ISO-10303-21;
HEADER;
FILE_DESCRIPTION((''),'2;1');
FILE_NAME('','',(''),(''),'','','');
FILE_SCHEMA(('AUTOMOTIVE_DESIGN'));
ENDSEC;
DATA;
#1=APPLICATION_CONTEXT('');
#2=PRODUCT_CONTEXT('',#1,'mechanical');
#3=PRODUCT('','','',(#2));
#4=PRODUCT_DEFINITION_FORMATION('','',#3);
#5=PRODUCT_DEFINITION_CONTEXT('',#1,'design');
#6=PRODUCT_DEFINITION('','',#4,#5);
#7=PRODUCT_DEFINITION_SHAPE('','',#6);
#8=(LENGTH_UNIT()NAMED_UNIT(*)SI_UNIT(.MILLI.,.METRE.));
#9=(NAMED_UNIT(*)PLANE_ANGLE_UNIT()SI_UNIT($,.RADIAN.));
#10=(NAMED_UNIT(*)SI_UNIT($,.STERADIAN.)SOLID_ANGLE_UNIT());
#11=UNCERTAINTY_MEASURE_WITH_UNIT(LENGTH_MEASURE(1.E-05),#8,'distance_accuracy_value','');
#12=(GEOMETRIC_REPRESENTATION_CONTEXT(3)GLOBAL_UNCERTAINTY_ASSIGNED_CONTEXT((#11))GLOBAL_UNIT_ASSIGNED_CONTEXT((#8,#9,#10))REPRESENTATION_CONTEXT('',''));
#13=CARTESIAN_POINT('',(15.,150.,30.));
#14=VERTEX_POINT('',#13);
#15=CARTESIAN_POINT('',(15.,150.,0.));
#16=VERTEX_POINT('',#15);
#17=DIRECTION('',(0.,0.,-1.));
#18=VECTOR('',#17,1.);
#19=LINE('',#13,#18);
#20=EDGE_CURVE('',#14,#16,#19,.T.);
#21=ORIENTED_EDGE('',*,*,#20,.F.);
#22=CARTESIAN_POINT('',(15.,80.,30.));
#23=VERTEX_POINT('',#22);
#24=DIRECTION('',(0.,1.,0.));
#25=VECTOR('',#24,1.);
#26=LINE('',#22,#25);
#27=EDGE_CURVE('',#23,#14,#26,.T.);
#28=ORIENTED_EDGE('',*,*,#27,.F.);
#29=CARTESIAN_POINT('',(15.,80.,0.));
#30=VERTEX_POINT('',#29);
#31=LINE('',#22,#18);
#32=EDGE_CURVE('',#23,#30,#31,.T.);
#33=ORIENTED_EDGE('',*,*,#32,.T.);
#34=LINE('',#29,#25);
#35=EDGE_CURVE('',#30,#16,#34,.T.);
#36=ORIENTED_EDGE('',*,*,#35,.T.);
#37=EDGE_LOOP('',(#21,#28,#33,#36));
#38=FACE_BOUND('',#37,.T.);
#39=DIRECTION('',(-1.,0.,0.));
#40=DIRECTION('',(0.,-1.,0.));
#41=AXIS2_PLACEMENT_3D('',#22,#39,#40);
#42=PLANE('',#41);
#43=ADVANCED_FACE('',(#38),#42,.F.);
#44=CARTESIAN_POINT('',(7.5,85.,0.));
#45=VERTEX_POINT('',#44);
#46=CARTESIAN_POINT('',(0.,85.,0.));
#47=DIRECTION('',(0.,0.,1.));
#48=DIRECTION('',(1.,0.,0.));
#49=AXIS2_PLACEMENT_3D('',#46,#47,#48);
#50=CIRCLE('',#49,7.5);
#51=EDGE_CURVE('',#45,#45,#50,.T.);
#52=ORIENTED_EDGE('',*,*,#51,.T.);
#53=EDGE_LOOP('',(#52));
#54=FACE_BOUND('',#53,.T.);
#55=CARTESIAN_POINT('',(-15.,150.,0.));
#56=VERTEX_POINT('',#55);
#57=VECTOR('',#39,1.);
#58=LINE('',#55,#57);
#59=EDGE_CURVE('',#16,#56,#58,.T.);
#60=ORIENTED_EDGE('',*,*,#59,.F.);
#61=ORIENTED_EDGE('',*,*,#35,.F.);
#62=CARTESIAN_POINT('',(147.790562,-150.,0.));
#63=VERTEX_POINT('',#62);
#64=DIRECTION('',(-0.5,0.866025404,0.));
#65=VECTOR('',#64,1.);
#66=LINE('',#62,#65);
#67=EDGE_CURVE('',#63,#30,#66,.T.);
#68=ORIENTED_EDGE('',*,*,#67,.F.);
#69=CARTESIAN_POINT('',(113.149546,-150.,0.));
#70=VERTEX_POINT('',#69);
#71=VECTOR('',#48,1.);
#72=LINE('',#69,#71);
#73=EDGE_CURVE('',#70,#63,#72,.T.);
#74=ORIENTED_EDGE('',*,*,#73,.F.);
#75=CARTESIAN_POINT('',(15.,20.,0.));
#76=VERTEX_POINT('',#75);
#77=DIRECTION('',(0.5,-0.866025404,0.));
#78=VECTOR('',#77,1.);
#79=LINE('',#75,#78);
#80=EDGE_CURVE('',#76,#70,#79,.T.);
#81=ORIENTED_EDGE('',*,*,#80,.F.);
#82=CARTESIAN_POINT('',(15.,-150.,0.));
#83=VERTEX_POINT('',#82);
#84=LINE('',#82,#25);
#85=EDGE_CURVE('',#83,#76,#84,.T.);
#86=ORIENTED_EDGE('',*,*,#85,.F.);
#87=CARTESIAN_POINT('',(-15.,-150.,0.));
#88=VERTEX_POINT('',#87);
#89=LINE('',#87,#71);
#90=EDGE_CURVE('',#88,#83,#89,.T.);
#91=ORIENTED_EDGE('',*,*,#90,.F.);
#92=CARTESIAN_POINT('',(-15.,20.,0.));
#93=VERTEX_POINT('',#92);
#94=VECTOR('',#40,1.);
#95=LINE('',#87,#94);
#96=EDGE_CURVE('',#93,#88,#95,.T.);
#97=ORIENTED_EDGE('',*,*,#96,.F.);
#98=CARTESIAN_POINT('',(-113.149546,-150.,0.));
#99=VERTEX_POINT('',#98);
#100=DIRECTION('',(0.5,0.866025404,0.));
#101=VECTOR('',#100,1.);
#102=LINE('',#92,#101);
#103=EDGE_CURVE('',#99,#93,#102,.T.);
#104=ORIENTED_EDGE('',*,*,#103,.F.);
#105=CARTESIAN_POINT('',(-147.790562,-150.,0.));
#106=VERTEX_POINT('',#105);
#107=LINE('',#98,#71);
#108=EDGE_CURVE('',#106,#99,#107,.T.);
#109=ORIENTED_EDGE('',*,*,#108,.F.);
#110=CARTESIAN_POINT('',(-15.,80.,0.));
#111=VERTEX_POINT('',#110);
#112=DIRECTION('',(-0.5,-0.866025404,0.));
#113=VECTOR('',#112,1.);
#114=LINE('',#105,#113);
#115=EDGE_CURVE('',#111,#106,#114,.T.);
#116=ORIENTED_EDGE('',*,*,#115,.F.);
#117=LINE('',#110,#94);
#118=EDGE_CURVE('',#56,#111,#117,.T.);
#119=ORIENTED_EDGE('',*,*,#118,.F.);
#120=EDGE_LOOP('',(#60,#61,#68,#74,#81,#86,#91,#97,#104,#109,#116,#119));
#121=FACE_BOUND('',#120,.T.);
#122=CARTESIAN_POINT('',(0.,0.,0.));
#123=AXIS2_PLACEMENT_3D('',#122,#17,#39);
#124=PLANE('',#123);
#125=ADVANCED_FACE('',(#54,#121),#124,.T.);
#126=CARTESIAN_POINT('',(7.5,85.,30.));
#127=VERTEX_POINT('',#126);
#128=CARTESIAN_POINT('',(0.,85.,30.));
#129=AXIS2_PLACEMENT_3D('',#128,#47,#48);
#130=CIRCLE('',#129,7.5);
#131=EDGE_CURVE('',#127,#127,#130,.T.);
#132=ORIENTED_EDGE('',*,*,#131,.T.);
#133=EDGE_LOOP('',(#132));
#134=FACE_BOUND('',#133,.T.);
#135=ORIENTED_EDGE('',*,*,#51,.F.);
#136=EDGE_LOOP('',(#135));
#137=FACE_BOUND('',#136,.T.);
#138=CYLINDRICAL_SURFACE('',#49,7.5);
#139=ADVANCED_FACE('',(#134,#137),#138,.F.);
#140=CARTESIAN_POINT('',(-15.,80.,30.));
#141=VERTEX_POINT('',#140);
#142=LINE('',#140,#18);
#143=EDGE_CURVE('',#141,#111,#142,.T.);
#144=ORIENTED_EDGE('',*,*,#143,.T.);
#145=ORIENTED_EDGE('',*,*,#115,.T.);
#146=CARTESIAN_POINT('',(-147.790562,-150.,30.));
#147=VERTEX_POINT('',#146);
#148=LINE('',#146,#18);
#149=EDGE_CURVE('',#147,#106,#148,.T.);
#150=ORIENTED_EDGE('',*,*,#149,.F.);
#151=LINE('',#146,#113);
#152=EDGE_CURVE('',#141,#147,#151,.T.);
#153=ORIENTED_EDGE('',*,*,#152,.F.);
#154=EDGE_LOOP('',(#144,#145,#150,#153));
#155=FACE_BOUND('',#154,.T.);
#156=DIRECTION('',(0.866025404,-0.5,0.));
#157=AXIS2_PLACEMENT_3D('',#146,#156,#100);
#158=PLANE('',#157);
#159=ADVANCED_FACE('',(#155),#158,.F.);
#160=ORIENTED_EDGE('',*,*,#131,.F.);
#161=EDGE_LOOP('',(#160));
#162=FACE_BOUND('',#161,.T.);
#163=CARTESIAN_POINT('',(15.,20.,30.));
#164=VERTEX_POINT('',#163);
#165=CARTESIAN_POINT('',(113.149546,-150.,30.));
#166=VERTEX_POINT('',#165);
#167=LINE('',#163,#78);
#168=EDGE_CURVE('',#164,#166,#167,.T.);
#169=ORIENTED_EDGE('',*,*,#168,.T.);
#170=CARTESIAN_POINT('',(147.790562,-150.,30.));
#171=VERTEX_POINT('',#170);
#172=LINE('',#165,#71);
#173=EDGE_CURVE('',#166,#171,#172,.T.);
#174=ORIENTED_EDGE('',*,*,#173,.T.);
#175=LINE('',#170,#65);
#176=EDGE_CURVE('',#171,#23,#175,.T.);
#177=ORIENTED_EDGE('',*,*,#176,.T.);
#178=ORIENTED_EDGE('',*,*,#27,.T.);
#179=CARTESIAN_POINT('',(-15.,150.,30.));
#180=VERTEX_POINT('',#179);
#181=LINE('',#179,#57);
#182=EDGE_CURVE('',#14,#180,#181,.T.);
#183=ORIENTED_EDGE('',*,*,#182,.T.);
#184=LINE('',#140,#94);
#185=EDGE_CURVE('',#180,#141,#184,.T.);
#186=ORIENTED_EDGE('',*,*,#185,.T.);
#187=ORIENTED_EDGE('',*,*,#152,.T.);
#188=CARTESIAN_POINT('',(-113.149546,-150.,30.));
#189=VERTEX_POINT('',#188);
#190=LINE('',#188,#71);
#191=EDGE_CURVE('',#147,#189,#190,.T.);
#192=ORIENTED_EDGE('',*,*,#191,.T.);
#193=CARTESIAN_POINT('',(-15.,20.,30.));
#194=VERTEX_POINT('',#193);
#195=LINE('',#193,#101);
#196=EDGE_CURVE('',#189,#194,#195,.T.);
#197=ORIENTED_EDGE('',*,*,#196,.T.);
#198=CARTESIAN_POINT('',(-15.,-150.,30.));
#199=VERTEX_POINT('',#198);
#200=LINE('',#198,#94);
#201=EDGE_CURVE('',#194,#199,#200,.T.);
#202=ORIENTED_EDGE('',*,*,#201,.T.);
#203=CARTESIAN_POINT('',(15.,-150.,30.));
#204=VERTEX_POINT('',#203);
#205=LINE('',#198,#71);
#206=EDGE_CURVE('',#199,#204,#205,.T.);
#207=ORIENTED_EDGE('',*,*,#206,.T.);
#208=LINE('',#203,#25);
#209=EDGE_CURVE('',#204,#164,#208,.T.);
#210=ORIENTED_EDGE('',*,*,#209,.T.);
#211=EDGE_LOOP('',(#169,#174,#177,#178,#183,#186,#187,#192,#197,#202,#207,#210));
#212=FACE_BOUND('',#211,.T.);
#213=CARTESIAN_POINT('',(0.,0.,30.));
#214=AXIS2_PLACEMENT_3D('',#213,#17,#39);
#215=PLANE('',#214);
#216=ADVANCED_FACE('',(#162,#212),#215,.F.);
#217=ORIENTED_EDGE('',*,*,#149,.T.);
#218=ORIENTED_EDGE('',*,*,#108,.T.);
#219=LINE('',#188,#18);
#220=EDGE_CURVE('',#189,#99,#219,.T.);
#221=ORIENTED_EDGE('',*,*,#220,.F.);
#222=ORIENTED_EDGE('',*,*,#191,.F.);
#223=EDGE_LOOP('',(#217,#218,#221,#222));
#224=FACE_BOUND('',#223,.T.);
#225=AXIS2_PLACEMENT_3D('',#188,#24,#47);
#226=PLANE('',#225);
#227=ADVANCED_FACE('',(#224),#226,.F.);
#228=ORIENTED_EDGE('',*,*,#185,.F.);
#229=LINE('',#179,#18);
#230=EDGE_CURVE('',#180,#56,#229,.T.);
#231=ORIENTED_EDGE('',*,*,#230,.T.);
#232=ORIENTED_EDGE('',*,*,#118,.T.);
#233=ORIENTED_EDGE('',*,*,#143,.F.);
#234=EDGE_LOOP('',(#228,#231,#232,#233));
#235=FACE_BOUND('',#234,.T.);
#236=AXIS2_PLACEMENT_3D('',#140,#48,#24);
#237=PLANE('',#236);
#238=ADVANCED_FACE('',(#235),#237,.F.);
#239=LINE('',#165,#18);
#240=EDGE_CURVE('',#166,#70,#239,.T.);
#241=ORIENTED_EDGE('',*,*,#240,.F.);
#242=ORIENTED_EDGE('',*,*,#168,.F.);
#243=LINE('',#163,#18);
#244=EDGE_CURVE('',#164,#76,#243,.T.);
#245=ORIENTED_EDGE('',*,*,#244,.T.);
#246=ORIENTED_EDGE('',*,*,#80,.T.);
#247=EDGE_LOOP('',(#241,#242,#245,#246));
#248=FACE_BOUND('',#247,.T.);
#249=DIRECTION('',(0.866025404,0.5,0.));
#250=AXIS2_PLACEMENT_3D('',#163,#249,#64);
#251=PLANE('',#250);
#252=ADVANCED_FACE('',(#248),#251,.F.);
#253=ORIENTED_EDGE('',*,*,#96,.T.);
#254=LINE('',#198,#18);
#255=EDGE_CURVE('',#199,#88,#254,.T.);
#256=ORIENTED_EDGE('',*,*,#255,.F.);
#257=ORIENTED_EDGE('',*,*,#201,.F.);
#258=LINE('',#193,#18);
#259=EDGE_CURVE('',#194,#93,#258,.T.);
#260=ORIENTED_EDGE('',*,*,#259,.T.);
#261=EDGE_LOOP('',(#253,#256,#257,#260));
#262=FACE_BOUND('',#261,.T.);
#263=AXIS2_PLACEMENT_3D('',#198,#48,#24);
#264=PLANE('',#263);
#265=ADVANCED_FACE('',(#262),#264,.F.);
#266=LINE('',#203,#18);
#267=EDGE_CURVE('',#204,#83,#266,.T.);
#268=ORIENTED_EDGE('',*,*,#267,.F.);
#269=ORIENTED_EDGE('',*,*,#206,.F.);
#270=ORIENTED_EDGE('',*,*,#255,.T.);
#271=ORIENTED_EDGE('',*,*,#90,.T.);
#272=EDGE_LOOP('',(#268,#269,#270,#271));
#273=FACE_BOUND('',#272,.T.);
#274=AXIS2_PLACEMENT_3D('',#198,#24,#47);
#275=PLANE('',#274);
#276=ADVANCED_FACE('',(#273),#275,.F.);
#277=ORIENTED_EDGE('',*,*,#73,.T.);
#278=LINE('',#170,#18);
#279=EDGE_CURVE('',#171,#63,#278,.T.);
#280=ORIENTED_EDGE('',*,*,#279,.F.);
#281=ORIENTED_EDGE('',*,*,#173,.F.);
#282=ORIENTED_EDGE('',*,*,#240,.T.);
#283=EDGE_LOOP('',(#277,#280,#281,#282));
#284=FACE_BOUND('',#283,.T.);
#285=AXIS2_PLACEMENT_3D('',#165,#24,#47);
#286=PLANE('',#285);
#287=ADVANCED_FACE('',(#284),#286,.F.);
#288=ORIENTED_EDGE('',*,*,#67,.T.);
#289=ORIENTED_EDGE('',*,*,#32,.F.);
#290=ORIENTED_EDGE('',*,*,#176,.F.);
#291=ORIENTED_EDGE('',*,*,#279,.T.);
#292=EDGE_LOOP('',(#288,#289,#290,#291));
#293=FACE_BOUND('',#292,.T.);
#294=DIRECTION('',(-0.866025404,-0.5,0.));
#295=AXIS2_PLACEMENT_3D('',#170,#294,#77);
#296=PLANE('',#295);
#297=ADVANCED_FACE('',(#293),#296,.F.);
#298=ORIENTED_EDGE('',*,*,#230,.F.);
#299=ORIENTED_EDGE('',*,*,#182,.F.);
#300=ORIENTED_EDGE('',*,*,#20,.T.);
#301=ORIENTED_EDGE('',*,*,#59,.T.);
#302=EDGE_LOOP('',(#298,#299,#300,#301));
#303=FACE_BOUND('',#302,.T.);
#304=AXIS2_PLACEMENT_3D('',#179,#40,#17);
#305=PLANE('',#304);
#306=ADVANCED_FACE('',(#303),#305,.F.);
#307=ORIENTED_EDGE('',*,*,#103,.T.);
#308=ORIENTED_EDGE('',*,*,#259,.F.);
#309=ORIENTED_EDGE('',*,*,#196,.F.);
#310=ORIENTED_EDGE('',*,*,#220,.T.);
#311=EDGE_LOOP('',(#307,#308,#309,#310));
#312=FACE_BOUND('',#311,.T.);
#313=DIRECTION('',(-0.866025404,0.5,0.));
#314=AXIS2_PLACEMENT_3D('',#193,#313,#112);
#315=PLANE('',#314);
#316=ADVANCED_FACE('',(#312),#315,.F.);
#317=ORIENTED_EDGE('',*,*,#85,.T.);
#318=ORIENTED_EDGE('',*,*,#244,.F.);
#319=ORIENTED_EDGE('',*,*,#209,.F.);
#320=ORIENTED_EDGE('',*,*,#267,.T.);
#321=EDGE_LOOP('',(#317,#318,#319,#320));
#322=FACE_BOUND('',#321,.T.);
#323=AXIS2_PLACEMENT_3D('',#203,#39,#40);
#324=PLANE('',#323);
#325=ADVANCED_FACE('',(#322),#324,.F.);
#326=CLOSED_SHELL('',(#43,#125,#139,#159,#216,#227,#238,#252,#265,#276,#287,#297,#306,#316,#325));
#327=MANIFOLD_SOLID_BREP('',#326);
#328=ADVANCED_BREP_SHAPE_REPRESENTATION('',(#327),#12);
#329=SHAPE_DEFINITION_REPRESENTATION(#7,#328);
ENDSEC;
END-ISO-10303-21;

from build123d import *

# Parameters (mm, degrees)
BOSS_EXTRUDE1_DEPTH = 30
SKETCH2_R           = 7.5
CUT_EXTRUDE1_DEPTH  = 213.701786995


with BuildPart() as part:
    # Sketch1 → Boss-Extrude1 (new body)
    with BuildSketch(Plane.XY):
        Polygon((-15, 20), (-113.149545762, -150), (-147.790561914, -150), (-15, 80), (-15, 150), (15, 150), (15, 80), (147.790561914, -150), (113.149545762, -150), (15, 20), (15, -150), (-15, -150), align=None)
    extrude(amount=BOSS_EXTRUDE1_DEPTH)

    # Sketch2 → Cut-Extrude1 (cut, through all)
    with BuildSketch(Plane.XY.offset(30)):
        with Locations((0, 85)):
            Circle(SKETCH2_R)
    extrude(amount=-CUT_EXTRUDE1_DEPTH, mode=Mode.SUBTRACT)


solid = part.part
